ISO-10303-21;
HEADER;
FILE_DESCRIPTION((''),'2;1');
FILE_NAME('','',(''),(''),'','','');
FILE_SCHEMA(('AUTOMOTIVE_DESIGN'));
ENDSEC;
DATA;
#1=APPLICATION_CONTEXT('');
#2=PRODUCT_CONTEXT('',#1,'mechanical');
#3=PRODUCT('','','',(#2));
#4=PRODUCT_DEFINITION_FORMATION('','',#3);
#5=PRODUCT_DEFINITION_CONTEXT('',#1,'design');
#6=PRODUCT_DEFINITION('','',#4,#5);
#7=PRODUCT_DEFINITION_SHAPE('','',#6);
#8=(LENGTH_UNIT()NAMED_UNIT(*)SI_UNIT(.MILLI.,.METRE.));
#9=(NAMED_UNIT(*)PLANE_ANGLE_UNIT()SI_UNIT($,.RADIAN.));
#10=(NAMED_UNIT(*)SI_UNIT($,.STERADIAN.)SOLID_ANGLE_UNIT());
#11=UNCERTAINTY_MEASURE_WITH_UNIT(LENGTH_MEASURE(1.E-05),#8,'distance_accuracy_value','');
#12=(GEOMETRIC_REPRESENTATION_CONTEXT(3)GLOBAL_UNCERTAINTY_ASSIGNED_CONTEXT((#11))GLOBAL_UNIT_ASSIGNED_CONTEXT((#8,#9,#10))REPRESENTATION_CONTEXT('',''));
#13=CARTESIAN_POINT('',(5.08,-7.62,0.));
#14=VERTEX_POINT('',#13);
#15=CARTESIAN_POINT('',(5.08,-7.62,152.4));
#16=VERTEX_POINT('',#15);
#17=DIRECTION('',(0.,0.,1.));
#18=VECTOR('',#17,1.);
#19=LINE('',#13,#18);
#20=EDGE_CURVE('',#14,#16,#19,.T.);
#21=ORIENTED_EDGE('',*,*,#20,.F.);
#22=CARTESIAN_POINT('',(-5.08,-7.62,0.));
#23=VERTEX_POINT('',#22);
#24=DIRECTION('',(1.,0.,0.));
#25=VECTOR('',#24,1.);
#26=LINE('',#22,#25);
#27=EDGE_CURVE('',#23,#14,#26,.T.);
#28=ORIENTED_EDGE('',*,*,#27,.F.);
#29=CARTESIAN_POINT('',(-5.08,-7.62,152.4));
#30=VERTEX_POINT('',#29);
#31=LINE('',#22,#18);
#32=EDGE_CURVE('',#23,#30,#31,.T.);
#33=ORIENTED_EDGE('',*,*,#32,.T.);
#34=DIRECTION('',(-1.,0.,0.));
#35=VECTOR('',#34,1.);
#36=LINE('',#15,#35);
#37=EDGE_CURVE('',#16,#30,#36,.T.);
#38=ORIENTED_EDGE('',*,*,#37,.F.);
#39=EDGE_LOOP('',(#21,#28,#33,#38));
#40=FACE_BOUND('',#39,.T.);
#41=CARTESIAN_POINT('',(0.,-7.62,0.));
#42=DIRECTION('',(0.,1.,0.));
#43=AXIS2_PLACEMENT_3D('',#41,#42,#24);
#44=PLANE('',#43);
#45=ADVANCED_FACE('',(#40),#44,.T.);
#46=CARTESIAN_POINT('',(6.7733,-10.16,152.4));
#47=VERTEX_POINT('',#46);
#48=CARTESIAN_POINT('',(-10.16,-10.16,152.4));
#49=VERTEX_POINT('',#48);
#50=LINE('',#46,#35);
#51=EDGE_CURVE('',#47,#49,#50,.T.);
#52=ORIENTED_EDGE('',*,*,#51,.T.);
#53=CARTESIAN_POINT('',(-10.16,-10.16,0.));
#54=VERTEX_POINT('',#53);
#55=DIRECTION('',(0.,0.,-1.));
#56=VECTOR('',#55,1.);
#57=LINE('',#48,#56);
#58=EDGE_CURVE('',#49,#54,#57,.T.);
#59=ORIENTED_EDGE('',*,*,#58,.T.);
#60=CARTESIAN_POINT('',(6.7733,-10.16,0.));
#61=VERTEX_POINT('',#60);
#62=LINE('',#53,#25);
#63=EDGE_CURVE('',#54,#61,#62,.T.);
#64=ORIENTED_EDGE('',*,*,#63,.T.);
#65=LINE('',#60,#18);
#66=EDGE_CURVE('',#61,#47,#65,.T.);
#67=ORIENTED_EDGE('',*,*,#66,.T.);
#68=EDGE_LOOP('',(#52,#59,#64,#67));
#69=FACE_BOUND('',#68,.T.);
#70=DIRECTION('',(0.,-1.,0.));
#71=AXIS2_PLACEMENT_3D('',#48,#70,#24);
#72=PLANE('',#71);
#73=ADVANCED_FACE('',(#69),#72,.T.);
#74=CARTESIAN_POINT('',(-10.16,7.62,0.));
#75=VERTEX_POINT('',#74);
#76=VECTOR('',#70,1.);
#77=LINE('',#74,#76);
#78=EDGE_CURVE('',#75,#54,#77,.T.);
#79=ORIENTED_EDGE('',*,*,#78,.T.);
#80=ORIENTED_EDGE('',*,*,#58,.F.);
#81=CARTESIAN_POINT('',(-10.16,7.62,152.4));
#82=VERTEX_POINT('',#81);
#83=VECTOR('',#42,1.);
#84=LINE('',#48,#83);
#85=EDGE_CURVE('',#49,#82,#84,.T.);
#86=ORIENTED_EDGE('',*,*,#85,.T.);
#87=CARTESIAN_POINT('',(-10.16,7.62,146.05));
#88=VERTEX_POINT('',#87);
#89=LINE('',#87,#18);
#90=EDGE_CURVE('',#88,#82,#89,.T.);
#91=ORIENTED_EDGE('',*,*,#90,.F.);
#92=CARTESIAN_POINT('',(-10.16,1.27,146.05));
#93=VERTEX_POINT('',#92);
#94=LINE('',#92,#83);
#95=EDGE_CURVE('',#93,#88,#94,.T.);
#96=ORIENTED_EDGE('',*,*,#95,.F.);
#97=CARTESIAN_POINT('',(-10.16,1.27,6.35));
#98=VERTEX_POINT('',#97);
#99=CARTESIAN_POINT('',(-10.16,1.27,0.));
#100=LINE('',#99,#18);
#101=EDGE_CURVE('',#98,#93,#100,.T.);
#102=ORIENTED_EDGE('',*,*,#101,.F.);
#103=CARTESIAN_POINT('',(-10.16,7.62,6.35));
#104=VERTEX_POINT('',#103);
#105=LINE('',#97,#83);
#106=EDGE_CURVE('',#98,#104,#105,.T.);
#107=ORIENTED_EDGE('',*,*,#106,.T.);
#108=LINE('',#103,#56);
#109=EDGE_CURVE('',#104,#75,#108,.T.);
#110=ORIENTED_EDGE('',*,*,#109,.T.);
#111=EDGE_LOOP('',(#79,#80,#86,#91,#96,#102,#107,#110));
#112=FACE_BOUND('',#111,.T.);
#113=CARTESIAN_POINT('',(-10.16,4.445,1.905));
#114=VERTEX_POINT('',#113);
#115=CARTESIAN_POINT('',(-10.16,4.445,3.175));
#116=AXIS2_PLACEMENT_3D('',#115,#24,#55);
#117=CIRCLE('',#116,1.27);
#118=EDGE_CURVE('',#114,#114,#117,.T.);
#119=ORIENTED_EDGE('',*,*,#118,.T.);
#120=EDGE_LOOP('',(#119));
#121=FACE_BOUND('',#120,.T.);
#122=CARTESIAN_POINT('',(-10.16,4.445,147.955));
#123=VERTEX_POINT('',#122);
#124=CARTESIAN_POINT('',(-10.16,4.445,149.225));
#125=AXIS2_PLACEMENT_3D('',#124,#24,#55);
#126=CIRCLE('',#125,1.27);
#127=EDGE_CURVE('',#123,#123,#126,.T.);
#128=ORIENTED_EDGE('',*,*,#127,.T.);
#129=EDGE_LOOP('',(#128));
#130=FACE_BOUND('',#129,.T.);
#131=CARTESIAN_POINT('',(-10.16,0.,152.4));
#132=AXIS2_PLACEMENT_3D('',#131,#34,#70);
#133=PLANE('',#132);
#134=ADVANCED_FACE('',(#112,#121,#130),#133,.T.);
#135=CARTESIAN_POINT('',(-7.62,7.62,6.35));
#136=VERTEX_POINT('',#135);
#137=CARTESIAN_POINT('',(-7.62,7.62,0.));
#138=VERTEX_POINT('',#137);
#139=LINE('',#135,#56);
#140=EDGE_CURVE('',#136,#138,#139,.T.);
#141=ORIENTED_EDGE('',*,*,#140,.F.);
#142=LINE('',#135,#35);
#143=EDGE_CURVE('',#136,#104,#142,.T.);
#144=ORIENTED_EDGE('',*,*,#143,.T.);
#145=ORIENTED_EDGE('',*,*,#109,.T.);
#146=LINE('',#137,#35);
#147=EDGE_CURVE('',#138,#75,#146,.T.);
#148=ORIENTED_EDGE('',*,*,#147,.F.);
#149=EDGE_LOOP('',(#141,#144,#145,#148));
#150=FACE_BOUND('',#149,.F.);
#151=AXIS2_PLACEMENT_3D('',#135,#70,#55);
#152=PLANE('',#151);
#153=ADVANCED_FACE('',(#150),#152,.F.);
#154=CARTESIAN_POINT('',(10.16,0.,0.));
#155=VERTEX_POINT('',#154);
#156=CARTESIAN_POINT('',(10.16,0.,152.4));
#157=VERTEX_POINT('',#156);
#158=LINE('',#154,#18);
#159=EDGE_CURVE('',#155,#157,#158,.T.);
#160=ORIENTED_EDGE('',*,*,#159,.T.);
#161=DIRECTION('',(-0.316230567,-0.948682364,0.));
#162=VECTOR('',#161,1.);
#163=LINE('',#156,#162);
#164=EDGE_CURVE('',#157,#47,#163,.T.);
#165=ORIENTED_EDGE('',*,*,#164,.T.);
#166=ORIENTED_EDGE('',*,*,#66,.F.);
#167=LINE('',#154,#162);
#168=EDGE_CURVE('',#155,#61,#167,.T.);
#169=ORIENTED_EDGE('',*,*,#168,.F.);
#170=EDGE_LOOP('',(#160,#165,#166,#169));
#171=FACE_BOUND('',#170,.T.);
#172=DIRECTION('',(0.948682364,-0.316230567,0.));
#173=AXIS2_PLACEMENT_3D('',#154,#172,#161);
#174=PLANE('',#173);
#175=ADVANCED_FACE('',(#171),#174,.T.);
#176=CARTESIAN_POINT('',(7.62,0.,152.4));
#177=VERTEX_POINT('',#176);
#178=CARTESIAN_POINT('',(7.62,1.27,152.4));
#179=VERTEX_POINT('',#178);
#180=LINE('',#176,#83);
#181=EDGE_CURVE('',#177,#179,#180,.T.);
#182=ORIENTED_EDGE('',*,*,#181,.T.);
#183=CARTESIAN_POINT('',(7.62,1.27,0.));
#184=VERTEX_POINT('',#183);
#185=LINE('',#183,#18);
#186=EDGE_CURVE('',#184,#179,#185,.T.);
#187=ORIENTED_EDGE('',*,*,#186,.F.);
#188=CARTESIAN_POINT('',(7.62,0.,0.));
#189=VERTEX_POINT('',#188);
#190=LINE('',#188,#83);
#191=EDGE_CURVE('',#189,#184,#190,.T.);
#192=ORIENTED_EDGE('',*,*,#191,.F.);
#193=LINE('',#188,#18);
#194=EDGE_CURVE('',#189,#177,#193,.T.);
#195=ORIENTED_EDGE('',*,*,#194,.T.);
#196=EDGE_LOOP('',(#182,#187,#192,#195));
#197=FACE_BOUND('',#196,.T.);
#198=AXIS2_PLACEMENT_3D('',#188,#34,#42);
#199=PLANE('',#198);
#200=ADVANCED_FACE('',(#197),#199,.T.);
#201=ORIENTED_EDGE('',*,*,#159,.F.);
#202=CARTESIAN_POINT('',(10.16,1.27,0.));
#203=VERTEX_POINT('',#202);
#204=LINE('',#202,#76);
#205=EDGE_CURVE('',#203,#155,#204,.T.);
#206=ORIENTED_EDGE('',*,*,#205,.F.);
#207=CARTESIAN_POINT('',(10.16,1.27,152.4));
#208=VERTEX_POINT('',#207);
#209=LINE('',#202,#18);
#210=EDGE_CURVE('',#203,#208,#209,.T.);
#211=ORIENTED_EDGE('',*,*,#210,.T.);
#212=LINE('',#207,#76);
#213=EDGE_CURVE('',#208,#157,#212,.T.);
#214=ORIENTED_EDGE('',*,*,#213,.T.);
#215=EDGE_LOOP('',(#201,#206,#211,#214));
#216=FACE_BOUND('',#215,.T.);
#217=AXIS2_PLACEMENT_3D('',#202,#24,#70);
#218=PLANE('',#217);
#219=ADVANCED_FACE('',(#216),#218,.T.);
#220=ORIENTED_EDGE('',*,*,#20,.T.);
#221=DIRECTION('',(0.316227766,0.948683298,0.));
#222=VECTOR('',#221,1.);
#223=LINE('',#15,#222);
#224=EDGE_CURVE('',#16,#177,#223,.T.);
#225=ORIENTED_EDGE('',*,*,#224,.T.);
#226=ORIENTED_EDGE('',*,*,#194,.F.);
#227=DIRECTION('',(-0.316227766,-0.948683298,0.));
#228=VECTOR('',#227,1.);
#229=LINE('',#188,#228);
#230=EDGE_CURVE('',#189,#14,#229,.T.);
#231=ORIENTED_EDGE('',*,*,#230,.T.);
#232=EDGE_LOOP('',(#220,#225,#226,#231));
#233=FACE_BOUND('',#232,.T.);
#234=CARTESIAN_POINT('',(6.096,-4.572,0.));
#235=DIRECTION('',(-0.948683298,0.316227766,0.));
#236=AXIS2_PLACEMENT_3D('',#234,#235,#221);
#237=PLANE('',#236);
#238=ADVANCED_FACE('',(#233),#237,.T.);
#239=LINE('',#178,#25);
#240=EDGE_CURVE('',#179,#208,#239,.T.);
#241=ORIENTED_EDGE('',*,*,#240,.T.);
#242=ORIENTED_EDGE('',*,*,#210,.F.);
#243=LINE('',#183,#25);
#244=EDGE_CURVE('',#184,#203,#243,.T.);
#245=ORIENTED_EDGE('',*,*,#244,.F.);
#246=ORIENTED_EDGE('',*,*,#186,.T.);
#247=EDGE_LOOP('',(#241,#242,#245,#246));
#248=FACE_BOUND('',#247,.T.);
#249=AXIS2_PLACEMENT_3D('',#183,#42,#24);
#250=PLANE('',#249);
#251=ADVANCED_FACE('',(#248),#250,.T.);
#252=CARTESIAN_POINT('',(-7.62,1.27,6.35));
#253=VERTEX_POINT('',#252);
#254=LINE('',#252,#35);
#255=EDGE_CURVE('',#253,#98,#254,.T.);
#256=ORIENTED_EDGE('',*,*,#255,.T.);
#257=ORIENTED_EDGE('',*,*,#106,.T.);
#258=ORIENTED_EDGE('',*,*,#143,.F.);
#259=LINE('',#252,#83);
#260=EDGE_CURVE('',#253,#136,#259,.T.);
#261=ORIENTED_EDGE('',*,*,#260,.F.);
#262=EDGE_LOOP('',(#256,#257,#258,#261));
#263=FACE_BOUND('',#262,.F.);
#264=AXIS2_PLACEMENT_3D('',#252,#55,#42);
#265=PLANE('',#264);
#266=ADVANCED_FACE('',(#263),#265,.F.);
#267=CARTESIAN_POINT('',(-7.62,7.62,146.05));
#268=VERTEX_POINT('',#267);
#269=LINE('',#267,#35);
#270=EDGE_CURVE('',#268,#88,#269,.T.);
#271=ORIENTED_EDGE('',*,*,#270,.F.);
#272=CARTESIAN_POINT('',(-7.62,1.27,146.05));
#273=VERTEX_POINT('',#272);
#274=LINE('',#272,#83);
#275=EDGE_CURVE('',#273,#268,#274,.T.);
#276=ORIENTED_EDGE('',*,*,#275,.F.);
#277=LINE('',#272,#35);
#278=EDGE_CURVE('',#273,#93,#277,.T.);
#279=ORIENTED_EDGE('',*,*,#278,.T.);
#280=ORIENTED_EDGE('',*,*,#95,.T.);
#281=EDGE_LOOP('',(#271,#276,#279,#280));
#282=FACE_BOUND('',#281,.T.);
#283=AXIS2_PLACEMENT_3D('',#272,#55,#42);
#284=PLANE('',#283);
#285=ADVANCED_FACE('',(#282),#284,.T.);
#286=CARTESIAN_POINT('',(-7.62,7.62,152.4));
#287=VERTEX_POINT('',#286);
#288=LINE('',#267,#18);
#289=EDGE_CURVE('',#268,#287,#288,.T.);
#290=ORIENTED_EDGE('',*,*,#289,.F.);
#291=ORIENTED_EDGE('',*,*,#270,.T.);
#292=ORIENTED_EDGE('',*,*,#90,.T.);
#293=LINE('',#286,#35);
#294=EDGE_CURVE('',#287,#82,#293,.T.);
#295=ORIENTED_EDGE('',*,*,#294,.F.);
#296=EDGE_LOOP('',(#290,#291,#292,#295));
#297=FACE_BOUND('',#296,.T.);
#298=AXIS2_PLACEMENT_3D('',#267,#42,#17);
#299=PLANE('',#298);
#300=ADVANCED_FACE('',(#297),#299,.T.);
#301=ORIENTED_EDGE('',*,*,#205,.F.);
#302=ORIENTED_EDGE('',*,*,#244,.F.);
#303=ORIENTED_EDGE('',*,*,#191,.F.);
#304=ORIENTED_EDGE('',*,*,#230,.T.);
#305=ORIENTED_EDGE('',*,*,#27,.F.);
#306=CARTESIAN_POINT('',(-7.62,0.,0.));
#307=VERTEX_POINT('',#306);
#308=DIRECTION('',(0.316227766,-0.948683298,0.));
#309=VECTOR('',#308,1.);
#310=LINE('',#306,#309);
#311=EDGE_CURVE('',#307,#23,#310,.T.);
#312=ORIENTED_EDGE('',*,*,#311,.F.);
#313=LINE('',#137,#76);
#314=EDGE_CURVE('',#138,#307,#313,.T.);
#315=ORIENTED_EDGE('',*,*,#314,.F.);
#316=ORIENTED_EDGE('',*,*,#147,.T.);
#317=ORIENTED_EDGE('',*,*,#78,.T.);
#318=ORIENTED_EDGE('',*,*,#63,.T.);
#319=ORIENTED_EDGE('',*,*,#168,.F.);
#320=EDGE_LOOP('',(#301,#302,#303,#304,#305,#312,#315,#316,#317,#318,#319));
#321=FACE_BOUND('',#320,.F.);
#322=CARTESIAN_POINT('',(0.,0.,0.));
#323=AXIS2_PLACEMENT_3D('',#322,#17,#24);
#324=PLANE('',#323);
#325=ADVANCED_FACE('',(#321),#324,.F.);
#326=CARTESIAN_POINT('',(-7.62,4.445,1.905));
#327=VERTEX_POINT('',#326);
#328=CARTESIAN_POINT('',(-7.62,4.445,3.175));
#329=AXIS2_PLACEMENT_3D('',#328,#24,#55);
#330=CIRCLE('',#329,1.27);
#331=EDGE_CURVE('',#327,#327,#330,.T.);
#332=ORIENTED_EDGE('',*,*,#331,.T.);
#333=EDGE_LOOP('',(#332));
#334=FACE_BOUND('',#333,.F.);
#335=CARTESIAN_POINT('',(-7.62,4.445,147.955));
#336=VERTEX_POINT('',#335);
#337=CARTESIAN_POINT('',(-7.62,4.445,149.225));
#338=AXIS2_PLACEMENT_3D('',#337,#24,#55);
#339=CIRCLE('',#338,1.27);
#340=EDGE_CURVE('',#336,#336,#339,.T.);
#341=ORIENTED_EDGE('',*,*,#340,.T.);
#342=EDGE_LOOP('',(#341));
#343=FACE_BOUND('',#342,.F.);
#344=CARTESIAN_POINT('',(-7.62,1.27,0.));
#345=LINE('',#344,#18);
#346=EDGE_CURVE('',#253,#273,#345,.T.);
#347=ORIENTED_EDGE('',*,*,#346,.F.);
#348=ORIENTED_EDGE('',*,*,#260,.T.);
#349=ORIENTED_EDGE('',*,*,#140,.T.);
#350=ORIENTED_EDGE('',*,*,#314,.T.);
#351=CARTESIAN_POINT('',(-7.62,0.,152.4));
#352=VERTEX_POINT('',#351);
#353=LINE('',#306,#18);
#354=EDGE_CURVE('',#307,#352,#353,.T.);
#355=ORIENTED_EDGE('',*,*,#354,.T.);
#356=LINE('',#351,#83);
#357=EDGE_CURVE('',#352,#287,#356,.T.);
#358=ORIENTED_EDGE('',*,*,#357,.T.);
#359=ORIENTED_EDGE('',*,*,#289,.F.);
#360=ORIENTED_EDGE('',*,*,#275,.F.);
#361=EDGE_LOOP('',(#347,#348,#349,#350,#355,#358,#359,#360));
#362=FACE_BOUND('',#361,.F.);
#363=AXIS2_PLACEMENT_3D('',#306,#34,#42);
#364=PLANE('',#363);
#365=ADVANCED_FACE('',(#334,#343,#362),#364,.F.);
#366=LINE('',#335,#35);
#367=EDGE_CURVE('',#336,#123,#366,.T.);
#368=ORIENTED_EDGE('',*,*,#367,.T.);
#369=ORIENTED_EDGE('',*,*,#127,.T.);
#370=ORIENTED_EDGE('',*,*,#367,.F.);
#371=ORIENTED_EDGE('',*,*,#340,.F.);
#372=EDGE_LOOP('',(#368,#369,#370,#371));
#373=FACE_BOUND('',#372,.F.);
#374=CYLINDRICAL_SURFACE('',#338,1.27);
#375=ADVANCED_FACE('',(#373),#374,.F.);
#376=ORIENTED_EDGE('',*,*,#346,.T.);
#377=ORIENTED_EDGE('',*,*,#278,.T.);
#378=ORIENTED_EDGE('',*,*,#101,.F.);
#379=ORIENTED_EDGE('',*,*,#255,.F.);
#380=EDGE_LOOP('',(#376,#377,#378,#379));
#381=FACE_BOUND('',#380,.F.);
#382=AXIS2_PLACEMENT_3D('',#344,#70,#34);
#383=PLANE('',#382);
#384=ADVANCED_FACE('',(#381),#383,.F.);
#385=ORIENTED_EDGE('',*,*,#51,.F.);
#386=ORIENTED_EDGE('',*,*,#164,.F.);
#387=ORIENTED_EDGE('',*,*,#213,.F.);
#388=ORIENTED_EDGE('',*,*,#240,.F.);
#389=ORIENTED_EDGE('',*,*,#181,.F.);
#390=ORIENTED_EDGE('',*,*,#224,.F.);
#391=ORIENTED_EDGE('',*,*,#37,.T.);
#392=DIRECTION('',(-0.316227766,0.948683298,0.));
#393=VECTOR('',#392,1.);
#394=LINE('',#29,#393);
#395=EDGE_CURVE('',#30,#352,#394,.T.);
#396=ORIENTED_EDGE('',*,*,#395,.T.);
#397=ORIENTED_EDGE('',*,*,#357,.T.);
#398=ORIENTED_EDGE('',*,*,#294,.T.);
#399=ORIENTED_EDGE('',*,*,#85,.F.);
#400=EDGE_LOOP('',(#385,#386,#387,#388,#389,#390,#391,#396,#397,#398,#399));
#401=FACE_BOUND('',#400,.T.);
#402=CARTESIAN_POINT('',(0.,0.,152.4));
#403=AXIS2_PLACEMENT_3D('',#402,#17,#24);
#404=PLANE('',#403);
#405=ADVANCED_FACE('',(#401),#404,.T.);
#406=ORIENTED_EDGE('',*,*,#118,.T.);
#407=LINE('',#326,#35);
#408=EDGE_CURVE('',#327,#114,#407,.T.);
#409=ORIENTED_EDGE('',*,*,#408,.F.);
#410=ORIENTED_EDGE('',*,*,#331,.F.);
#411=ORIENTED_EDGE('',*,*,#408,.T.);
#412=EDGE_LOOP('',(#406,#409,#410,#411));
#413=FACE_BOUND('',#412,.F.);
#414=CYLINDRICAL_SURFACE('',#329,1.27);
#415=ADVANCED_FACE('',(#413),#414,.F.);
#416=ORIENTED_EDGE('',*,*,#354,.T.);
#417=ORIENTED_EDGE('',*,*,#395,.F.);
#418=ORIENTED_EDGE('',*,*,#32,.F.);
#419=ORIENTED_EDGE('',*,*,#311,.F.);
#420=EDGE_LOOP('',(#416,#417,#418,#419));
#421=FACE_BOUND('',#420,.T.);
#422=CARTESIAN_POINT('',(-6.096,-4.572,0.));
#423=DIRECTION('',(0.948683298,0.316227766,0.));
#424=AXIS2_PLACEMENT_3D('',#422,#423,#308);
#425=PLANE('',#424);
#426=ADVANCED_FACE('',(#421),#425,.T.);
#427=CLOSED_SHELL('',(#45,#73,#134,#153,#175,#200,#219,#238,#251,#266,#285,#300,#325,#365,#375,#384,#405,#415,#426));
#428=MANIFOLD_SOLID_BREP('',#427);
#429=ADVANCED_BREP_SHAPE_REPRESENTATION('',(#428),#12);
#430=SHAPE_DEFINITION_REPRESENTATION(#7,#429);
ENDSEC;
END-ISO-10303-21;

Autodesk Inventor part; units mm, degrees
ref_plane "YZ Plane" through (0, 0, 0) normal (1, 0, 0) x (0, 1, 0)
ref_plane "XZ Plane" through (0, 0, 0) normal (0, 1, 0) x (-1, 0, 0)
ref_plane "XY Plane" through (0, 0, 0) normal (0, 0, 1) x (1, 0, 0)
sketch "Sketch1" plane through (0, 0, 0) normal (0, 0, 1) x (1, 0, 0)
  circle A0 centre (0, 0) radius 7.62
  line L0 (-7.62, 0) -> (-7.62, 1.27)
  line L1 (0, -7.62) -> (-5.08, -7.62)
  line L2 (0, -7.62) -> (5.08, -7.62)
  line L3 (-7.62, 0) -> (-5.08, -7.62)
  line L4 (5.08, -7.62) -> (7.62, 0)
  line L5 (7.62, 0) -> (7.62, 1.27)
  line L6 (-7.62, 1.27) -> (-10.16, 1.27)
  line L7 (-10.16, 1.27) -> (-10.16, 0)
  line L8 (-5.08, -7.62) -> (-6.7733, -10.16)
  line L9 (-6.7733, -10.16) -> (-10.16, 0)
  line L10 (7.62, 1.27) -> (10.16, 1.27)
  line L11 (10.16, 1.27) -> (10.16, 0)
  line L12 (10.16, 0) -> (6.7733, -10.16)
  line L13 (6.7733, -10.16) -> (-6.7733, -10.16)
  line L14 (5.08, -7.62) -> (6.7733, -10.16)
  dimension "d0" = 15.24
  dimension "d1" = 1.27
  dimension "d2" = 5.08
  dimension "d3" = 5.08
  dimension "d4" = 1.27
  dimension "d6" = 2.54
  dimension "d7" = 2.54
  dimension "d8" = 2.54
extrude "Extrusion1" add sketch "Sketch1" along normal blind 152.4 contours L5 L10 L11 L12 L14 L4 A0 | A0 L4 | L3 A0 | A0 L3 L8 L9 L7 L6 L0 | L2 L14 L13 L8 L1
sketch "Sketch2" plane through (-7.62, 1.27, 152.4) normal (1, 0, 0) x (0, 0, -1)
  point P0 (152.4, -1.27)
sketch "Sketch3" plane through (0, 0, 152.4) normal (0, 0, 1) x (1, 0, 0)
  line L0 (-10.16, 1.27) -> (-10.16, 0) projected
  line L1 (-10.16, 0) -> (-10.16, -10.16)
  line L2 (-6.7733, -10.16) -> (6.7733, -10.16) projected
  line L3 (-10.16, -10.16) -> (-6.7733, -10.16)
  line L4 (-10.16, 0) -> (-6.7733, -10.16) projected
  point P0 (0, 0)
extrude "Extrusion2" add sketch "Sketch3" against normal up to surface (152.4 mm away)
sketch "Sketch4" plane through (-7.62, 1.27, 152.4) normal (1, 0, 0) x (0, 0, -1)
  line L0 (152.4, -1.27) -> (152.4, 0) projected
  line L1 (152.4, 0) -> (146.05, 0)
  line L2 (146.05, 0) -> (146.05, 6.35)
  line L3 (146.05, 6.35) -> (152.4, 6.35)
  line L4 (152.4, 6.35) -> (152.4, 0)
  circle A0 centre (149.225, 3.175) radius 1.27
  line L5 (152.4, 0) -> (0, 0) projected
  line L6 (76.2, 0) -> (76.2, 6.35)
  line L7 (76.2, 0) -> (82.55, 0) construction
  line L8 (6.35, 0) -> (6.35, 6.35)
  line L9 (6.35, 6.35) -> (0, 6.35)
  line L10 (0, 6.35) -> (0, 0)
  circle A1 centre (3.175, 3.175) radius 1.27
  dimension "d13" = 6.35
  dimension "d14" = 6.35
  dimension "d15" = 2.54
  dimension "d16" = 3.175
  dimension "d17" = 3.175
  dimension "d18" = 6.35
  dimension "d19" = 90
extrude "Extrusion3" add sketch "Sketch4" against normal up to surface (2.54 mm away)
properties part number "StraightTrackv2"
